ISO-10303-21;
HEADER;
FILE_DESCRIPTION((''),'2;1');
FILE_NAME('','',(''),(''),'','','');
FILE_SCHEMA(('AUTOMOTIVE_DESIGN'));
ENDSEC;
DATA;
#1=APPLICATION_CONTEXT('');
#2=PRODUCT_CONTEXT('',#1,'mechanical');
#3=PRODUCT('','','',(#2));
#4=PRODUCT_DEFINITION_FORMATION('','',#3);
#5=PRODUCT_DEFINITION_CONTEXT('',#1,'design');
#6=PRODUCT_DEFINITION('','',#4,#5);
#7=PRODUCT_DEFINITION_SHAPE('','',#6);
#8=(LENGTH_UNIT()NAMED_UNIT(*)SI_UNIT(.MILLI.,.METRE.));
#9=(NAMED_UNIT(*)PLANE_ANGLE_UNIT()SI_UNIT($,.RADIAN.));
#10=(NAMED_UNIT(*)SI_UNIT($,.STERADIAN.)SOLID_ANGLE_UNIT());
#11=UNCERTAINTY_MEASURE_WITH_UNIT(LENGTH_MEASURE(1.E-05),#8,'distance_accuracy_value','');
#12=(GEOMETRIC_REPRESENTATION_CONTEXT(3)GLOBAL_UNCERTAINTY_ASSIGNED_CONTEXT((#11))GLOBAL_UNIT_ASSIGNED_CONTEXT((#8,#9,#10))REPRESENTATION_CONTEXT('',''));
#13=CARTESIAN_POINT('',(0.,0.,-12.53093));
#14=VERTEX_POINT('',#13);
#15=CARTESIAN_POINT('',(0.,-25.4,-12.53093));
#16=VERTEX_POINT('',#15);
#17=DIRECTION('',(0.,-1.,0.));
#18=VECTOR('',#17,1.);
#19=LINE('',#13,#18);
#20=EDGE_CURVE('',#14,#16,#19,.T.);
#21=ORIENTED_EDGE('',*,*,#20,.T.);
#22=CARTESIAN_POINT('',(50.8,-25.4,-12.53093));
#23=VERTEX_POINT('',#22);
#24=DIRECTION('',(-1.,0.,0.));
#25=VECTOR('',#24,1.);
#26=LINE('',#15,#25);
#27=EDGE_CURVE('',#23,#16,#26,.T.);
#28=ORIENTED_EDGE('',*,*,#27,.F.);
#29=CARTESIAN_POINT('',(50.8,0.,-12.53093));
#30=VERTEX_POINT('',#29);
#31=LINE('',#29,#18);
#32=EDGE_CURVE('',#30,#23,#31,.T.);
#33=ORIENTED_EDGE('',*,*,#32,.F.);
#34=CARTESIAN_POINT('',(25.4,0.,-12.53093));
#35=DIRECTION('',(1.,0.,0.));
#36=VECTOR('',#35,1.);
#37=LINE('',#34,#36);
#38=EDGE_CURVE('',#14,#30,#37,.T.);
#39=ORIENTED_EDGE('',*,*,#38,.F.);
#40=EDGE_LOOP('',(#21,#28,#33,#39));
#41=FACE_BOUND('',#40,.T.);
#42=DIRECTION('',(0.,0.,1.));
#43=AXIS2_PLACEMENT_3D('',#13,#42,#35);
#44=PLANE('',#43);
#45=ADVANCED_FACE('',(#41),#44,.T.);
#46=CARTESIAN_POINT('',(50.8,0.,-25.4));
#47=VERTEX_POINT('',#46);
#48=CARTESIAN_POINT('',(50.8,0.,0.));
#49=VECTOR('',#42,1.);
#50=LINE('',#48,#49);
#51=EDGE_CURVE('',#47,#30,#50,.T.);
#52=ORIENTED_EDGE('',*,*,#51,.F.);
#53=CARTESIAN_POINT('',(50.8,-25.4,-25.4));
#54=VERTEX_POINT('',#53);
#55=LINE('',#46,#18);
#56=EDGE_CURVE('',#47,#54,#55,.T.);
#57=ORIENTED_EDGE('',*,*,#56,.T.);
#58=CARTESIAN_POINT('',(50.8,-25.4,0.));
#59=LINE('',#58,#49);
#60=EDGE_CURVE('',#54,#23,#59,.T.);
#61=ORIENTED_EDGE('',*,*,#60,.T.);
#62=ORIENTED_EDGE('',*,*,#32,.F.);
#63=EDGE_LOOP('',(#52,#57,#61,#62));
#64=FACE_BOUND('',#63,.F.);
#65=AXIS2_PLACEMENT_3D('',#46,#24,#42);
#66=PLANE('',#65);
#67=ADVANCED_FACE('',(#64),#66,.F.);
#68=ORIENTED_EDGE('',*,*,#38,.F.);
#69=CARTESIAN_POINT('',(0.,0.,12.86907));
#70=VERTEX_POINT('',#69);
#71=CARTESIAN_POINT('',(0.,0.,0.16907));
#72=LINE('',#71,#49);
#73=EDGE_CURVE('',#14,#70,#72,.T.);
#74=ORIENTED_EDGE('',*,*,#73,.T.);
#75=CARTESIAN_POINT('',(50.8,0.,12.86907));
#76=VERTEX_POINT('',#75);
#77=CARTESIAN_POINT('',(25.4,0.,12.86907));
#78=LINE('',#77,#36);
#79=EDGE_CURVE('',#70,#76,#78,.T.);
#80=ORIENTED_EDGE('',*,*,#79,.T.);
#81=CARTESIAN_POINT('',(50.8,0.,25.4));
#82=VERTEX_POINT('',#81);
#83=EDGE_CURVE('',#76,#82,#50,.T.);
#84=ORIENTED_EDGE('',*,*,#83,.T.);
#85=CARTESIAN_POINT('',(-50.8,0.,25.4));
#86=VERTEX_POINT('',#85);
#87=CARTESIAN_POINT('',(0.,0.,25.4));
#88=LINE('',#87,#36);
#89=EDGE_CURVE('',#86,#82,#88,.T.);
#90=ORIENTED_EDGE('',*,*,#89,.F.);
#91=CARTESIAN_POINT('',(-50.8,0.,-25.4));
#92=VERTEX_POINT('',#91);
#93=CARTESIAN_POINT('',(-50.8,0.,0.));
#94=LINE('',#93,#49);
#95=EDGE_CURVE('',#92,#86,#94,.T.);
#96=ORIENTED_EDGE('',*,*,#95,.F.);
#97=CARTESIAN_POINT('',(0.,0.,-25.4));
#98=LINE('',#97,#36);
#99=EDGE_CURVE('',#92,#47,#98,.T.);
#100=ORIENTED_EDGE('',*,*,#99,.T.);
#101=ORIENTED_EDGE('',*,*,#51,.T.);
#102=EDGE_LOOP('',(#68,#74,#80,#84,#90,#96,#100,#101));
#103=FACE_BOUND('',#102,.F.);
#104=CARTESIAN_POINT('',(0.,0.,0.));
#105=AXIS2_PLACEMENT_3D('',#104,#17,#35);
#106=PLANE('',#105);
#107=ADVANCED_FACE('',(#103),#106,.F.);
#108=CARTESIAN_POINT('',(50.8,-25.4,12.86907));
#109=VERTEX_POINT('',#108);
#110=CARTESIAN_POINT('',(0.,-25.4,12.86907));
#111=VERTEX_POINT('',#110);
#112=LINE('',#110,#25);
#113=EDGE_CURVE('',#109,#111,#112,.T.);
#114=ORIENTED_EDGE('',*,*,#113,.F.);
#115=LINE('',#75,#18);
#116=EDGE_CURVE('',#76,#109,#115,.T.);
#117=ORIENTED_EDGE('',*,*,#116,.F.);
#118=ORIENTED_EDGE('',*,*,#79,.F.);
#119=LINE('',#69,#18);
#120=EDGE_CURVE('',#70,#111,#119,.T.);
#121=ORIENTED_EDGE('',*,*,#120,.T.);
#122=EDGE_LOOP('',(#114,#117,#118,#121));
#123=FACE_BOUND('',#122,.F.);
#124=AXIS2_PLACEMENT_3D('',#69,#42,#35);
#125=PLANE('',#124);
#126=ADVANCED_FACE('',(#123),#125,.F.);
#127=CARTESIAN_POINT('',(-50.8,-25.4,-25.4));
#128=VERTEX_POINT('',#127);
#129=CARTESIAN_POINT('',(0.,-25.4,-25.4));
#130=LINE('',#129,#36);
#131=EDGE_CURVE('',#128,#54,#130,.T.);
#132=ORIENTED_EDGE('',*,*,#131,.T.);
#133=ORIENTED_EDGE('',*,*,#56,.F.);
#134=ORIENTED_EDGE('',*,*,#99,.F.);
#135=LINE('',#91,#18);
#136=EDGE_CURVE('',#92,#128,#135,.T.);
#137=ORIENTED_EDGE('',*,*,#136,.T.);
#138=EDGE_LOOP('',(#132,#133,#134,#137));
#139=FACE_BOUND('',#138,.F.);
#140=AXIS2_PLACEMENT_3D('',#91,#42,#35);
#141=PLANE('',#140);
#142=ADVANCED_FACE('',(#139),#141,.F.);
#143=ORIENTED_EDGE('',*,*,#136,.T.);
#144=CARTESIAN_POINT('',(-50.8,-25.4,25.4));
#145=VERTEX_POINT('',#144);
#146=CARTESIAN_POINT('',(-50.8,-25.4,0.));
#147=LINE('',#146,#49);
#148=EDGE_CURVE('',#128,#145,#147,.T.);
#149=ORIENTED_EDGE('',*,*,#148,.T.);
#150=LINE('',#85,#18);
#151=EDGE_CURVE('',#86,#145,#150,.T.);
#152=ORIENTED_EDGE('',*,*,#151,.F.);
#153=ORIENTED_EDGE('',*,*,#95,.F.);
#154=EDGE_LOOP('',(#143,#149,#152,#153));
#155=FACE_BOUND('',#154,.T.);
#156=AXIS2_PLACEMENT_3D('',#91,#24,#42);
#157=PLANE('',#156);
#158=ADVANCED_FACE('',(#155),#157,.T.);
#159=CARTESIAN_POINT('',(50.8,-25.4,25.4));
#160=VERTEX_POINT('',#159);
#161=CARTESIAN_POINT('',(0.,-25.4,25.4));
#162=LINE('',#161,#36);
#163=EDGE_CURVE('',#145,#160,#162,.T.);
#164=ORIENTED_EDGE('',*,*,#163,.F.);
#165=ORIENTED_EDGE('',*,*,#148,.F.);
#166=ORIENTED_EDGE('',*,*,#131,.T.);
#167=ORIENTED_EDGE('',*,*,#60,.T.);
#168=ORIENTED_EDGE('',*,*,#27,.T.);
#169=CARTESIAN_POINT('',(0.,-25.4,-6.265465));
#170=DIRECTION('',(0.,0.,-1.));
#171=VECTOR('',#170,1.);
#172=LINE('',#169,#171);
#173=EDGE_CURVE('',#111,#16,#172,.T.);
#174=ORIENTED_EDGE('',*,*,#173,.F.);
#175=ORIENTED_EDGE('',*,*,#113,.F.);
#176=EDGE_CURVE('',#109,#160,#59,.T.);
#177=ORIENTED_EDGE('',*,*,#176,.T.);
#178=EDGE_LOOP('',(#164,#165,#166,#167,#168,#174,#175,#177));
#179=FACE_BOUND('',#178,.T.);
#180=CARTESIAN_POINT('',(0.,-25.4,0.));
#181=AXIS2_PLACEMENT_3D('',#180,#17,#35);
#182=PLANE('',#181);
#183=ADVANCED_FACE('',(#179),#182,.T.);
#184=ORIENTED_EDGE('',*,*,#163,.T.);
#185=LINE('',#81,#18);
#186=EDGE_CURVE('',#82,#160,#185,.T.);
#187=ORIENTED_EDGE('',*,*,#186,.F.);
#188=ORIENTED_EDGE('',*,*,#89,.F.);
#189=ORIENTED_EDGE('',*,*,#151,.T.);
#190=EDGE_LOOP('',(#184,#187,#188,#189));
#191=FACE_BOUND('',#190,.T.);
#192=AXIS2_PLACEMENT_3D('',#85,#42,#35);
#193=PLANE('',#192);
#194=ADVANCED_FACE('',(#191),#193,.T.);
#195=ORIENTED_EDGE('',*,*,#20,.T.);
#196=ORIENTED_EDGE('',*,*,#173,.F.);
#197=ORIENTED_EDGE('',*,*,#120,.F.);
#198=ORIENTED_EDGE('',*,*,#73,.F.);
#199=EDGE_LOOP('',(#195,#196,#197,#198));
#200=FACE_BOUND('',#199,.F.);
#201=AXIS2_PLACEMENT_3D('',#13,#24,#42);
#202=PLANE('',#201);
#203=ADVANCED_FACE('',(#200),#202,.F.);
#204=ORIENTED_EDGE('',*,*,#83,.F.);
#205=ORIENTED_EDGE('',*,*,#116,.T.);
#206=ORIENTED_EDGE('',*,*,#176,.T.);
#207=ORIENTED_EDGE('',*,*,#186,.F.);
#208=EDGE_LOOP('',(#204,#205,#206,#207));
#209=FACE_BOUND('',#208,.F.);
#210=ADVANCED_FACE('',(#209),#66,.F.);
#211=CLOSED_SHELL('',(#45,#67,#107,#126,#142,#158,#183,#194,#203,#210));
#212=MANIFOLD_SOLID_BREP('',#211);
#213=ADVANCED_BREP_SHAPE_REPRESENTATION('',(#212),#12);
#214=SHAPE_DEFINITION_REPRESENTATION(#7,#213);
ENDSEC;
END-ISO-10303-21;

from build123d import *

# Parameters (mm, degrees)
F0_W     = 101.6
F0_H     = 50.8
F1_DEPTH = 25.4
F2_W     = 50.8
F2_H     = 25.4
F3_DEPTH = 25.401


with BuildPart() as f1:
    # F0 (on Front) → F1 (new body)
    with BuildSketch(Plane.XZ):
        Rectangle(F0_W, F0_H)
    extrude(amount=F1_DEPTH)

    # F2 (on Front) → F3 (cut, through all)
    with BuildSketch(Plane.XZ):
        with Locations((25.4, 0.16907)):
            Rectangle(F2_W, F2_H)
    extrude(amount=F3_DEPTH, mode=Mode.SUBTRACT)


solid = f1.part
